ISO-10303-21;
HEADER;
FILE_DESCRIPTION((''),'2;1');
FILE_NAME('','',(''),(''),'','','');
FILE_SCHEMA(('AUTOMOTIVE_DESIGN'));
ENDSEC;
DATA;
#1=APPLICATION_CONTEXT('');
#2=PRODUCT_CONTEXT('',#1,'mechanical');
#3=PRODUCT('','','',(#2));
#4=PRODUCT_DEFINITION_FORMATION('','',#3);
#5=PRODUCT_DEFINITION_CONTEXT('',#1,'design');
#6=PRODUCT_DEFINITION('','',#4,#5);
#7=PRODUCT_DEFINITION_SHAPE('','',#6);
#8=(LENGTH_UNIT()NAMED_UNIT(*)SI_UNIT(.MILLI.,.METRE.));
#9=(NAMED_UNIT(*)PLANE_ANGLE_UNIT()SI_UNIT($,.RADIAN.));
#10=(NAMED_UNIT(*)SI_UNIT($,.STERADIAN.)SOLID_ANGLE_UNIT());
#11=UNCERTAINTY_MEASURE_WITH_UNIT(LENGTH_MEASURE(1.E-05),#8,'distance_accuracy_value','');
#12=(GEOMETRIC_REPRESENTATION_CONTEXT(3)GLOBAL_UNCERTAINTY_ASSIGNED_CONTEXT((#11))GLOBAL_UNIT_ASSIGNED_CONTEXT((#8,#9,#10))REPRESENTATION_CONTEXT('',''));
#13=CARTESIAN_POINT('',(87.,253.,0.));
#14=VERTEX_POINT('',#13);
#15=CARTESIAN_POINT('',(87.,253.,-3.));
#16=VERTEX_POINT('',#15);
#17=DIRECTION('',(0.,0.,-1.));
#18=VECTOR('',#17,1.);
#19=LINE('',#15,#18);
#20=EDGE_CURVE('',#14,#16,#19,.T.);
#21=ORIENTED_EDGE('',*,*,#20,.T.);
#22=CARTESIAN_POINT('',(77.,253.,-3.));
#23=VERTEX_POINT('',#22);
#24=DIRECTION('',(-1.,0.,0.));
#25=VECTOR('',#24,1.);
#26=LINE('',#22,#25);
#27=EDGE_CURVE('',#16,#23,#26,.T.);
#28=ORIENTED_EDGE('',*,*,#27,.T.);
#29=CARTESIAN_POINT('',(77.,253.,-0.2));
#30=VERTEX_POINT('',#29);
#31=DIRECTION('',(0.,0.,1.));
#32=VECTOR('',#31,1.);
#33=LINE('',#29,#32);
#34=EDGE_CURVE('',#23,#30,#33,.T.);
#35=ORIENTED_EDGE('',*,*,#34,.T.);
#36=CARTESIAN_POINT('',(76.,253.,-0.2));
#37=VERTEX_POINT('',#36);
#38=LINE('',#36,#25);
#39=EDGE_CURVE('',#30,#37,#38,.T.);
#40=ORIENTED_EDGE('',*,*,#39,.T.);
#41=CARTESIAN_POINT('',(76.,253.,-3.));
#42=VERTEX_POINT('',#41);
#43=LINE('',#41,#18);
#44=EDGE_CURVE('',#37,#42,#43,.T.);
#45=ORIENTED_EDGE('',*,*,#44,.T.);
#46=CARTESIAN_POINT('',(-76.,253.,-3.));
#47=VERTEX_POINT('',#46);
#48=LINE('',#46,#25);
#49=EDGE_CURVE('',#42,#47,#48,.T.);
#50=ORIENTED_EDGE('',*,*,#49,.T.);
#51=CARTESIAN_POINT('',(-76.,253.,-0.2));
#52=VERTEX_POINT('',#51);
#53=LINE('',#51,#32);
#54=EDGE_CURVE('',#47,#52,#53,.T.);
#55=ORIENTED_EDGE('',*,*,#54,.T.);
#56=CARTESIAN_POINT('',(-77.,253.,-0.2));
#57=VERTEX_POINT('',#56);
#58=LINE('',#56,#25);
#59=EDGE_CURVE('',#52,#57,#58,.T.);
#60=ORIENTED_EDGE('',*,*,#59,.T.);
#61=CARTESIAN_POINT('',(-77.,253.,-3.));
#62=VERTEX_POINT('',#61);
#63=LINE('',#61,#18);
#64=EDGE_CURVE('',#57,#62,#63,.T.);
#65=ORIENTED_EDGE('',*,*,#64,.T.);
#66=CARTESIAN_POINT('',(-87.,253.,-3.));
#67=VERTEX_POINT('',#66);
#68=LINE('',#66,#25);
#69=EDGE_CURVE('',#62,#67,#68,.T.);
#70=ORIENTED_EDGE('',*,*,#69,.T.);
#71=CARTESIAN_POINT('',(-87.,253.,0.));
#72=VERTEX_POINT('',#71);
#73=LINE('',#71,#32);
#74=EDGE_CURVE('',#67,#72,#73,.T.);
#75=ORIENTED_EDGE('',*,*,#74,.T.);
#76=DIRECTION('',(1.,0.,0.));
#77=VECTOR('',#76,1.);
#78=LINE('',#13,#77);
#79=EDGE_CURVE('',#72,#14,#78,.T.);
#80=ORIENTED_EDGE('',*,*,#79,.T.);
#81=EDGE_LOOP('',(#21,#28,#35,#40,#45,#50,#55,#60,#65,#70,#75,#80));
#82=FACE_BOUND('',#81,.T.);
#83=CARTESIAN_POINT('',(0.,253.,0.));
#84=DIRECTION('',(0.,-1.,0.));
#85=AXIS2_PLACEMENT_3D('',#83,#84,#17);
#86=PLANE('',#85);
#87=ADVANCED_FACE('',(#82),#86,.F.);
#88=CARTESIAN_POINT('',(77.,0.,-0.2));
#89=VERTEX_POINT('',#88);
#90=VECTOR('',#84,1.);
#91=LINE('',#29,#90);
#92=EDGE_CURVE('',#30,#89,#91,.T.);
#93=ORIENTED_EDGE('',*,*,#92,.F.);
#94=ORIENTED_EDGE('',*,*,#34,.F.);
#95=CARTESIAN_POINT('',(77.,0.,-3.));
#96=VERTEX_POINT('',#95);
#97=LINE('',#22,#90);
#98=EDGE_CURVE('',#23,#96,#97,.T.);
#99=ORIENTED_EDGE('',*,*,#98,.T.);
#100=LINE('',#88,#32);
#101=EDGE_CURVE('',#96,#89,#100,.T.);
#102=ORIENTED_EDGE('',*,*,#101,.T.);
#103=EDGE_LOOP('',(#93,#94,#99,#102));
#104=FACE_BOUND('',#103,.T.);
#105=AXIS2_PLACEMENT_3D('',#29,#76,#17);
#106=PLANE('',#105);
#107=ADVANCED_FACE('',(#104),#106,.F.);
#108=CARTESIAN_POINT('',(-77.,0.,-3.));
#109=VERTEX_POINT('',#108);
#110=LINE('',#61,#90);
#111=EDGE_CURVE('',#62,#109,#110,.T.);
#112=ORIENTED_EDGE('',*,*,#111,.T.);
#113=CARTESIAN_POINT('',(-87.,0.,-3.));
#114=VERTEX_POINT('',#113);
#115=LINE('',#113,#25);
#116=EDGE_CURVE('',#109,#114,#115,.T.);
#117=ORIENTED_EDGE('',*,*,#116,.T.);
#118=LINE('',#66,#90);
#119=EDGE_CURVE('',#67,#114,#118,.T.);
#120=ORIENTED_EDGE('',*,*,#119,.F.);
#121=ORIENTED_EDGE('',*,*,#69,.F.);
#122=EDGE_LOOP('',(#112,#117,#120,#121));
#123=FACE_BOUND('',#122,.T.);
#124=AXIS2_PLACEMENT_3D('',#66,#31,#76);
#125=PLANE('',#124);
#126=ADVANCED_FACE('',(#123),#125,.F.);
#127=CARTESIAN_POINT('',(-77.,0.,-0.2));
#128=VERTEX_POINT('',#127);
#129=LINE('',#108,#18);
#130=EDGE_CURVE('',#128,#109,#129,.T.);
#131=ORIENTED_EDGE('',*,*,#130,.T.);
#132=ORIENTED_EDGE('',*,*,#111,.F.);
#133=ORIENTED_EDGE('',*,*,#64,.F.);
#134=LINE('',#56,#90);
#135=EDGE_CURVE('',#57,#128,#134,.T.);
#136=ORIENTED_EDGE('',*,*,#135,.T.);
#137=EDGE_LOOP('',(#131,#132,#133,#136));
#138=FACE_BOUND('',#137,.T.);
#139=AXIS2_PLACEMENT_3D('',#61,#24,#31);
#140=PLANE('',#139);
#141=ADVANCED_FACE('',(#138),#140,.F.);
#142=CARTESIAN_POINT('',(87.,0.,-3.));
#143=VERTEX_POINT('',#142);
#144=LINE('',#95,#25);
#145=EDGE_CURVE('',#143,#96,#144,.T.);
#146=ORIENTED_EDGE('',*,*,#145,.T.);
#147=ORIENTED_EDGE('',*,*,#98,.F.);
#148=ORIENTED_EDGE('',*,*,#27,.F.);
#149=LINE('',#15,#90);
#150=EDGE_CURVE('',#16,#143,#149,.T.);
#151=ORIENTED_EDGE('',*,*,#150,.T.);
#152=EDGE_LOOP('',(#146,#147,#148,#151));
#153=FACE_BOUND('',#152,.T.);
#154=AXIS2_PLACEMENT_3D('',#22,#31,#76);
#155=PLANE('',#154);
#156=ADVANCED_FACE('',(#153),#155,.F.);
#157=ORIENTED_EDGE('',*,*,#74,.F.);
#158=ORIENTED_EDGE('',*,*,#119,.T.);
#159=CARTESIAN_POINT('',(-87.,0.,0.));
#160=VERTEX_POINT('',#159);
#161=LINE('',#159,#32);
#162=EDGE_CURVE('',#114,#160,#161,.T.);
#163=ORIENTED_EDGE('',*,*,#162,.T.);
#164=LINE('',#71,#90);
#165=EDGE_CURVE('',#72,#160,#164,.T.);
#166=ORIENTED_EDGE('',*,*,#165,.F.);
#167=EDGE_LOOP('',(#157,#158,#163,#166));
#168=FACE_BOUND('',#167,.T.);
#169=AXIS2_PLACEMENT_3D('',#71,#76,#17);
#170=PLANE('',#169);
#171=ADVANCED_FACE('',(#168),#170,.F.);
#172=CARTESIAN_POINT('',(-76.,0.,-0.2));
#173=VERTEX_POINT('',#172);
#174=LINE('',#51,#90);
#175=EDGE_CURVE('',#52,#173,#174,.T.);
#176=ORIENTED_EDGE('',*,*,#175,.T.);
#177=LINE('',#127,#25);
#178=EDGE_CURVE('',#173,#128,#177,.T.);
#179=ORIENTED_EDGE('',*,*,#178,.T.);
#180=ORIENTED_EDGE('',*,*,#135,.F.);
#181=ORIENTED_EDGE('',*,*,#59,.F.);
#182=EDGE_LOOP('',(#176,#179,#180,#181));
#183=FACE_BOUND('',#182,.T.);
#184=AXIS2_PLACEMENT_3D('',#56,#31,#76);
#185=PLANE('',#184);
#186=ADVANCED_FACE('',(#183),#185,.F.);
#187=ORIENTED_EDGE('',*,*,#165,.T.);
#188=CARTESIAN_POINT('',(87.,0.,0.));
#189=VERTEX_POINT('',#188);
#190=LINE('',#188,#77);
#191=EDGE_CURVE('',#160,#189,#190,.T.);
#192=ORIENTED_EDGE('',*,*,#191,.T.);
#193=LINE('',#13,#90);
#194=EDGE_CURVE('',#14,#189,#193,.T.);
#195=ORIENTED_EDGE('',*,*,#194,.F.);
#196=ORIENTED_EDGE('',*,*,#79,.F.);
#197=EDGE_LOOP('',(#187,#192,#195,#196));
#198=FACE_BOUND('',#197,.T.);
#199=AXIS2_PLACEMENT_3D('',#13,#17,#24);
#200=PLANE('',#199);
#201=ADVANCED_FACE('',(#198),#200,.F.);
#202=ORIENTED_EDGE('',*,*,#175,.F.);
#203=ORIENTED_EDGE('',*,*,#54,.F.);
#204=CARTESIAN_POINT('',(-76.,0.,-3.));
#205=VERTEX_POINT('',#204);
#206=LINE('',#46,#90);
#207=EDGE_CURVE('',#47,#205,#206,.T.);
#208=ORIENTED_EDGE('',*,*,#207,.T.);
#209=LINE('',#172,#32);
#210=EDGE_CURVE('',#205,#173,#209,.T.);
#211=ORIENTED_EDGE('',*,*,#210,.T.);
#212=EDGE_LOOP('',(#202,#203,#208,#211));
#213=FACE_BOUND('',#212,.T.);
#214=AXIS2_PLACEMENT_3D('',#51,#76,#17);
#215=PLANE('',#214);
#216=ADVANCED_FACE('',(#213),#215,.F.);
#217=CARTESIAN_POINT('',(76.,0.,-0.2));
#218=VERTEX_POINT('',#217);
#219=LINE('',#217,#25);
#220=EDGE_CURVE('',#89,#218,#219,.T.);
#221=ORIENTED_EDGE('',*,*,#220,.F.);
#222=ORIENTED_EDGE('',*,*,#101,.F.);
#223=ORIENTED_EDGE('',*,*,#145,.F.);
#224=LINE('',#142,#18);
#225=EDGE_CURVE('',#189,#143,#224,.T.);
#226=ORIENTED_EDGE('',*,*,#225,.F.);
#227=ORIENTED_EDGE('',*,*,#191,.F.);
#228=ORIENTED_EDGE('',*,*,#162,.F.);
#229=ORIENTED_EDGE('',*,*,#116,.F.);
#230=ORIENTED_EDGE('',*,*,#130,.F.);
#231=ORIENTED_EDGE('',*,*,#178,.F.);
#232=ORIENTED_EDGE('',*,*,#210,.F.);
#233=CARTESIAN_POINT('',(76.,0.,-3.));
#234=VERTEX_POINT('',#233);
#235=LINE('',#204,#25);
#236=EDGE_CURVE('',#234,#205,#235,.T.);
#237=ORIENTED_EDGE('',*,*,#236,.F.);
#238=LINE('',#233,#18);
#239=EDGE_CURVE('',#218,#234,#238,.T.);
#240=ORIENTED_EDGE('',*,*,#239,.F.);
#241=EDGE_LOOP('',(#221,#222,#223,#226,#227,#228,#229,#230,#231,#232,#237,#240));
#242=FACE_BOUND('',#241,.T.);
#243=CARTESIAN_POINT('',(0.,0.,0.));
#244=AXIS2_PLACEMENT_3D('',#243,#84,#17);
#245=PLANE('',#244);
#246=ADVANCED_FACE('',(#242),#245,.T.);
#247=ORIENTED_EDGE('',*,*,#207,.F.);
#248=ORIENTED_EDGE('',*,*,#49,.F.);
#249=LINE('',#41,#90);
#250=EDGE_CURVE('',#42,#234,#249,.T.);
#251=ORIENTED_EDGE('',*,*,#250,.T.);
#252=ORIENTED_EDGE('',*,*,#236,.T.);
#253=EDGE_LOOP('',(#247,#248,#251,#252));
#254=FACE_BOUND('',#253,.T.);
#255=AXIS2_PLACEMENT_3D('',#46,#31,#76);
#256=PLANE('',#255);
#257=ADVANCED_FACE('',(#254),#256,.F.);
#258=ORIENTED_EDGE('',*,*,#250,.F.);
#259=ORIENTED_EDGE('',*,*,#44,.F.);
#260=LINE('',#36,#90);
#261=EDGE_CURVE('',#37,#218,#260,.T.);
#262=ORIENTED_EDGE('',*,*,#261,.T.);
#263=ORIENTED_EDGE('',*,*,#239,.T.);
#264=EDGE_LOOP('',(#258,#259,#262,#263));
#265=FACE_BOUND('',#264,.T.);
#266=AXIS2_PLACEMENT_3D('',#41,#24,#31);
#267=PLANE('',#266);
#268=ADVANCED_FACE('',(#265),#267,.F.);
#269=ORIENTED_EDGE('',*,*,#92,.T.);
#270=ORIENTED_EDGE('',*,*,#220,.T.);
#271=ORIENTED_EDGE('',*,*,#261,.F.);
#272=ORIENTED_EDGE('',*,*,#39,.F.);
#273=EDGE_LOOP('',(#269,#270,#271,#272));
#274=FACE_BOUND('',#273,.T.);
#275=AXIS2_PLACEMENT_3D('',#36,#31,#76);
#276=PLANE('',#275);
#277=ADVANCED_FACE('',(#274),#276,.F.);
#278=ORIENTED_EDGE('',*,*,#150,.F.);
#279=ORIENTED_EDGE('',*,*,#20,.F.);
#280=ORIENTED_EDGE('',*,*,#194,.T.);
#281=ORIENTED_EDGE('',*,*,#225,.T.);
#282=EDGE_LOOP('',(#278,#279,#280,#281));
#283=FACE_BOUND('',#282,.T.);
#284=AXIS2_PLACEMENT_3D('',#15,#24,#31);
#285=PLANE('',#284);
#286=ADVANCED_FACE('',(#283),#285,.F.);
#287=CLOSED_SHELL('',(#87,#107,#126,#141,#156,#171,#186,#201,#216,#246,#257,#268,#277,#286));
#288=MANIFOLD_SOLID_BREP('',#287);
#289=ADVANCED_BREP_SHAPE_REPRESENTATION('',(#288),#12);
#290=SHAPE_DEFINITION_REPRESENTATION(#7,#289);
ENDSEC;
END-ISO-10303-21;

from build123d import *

# Parameters (mm, degrees)
BOSS_EXTRUDE1_DEPTH = 253


with BuildPart() as part:
    # Sketch1 → Boss-Extrude1 (new body)
    with BuildSketch(Plane(origin=(0, 0, 0), x_dir=(1, 0, 0), z_dir=(0, 1, 0))):
        Polygon((-87, 0), (-87, 3), (-77, 3), (-77, 0.2), (-76, 0.2), (-76, 3), (76, 3), (76, 0.2), (77, 0.2), (77, 3), (87, 3), (87, 0), align=None)
    extrude(amount=BOSS_EXTRUDE1_DEPTH)


solid = part.part
